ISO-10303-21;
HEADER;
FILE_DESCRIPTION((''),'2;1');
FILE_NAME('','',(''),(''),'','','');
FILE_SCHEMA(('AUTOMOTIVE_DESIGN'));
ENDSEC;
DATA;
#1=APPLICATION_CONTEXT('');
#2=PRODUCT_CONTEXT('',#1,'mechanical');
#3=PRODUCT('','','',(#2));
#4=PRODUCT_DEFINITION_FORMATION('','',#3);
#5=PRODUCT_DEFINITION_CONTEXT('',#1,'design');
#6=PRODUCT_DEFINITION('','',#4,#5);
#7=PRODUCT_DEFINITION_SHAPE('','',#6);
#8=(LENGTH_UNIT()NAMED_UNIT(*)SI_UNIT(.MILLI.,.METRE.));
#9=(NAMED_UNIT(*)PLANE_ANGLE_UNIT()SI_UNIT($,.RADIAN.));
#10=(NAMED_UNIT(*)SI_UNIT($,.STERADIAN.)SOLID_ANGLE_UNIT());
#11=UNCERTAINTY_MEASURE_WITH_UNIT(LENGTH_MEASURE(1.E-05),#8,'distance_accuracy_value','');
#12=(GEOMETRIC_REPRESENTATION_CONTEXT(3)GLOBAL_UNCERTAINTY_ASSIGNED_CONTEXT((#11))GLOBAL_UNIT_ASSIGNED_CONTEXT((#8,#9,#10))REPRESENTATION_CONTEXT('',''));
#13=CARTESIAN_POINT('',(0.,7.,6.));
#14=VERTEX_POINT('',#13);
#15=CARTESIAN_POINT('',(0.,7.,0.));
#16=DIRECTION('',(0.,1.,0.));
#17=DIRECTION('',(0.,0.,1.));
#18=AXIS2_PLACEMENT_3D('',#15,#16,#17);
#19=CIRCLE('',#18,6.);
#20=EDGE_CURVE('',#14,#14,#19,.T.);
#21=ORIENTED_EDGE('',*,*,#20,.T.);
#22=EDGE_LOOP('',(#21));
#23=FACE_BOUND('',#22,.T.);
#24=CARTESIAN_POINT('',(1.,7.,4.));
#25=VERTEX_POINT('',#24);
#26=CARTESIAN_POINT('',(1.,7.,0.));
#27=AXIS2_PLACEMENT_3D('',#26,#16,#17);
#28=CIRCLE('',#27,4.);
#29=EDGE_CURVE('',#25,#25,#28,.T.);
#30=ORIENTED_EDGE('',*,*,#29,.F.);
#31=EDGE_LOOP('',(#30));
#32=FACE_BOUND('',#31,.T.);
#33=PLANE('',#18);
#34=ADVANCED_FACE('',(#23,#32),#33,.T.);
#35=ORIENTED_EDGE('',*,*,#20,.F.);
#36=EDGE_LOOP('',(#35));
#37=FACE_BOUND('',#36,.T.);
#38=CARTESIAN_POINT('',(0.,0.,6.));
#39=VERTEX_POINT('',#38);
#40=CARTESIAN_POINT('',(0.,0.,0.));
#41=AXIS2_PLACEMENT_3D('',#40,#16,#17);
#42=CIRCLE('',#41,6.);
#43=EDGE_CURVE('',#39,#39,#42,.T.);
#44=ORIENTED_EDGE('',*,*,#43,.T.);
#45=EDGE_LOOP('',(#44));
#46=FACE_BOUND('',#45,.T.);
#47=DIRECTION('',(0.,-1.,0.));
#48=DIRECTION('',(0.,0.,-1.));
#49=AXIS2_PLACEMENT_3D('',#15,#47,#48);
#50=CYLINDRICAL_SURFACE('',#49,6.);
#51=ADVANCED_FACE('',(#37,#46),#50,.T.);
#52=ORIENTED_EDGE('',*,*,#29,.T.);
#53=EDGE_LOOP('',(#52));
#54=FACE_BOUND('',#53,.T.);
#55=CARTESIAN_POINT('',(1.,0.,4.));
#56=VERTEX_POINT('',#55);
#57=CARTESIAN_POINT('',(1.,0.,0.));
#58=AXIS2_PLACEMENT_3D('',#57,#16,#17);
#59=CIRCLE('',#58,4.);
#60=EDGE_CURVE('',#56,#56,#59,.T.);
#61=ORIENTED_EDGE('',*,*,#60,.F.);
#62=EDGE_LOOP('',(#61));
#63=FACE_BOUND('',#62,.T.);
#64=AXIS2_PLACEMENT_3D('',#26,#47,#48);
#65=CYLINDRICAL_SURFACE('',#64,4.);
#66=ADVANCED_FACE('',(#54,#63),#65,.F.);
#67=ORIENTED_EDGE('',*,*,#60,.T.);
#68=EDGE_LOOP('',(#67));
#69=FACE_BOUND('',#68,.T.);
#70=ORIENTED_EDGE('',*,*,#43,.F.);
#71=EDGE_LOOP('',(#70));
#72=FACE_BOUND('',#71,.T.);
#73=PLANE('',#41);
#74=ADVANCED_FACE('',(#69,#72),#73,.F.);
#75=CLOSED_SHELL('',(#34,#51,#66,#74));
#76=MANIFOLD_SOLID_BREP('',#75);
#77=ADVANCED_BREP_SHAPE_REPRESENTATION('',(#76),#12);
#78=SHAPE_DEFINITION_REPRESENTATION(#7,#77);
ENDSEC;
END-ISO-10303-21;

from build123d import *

# Parameters (mm, degrees)
SKETCH1_R           = 6
SKETCH1_R_2         = 4
BOSS_EXTRUDE1_DEPTH = 7


with BuildPart() as part:
    # Sketch1 → Boss-Extrude1 (new body)
    with BuildSketch(Plane(origin=(0, 0, 0), x_dir=(1, 0, 0), z_dir=(0, 1, 0))):
        with Locations(Location((0, 0, 0), (0, 0, 270))):
            Circle(SKETCH1_R)
        with Locations(Location((1, 0, 0), (0, 0, 270))):
            Circle(SKETCH1_R_2, mode=Mode.SUBTRACT)
    extrude(amount=BOSS_EXTRUDE1_DEPTH)


solid = part.part
